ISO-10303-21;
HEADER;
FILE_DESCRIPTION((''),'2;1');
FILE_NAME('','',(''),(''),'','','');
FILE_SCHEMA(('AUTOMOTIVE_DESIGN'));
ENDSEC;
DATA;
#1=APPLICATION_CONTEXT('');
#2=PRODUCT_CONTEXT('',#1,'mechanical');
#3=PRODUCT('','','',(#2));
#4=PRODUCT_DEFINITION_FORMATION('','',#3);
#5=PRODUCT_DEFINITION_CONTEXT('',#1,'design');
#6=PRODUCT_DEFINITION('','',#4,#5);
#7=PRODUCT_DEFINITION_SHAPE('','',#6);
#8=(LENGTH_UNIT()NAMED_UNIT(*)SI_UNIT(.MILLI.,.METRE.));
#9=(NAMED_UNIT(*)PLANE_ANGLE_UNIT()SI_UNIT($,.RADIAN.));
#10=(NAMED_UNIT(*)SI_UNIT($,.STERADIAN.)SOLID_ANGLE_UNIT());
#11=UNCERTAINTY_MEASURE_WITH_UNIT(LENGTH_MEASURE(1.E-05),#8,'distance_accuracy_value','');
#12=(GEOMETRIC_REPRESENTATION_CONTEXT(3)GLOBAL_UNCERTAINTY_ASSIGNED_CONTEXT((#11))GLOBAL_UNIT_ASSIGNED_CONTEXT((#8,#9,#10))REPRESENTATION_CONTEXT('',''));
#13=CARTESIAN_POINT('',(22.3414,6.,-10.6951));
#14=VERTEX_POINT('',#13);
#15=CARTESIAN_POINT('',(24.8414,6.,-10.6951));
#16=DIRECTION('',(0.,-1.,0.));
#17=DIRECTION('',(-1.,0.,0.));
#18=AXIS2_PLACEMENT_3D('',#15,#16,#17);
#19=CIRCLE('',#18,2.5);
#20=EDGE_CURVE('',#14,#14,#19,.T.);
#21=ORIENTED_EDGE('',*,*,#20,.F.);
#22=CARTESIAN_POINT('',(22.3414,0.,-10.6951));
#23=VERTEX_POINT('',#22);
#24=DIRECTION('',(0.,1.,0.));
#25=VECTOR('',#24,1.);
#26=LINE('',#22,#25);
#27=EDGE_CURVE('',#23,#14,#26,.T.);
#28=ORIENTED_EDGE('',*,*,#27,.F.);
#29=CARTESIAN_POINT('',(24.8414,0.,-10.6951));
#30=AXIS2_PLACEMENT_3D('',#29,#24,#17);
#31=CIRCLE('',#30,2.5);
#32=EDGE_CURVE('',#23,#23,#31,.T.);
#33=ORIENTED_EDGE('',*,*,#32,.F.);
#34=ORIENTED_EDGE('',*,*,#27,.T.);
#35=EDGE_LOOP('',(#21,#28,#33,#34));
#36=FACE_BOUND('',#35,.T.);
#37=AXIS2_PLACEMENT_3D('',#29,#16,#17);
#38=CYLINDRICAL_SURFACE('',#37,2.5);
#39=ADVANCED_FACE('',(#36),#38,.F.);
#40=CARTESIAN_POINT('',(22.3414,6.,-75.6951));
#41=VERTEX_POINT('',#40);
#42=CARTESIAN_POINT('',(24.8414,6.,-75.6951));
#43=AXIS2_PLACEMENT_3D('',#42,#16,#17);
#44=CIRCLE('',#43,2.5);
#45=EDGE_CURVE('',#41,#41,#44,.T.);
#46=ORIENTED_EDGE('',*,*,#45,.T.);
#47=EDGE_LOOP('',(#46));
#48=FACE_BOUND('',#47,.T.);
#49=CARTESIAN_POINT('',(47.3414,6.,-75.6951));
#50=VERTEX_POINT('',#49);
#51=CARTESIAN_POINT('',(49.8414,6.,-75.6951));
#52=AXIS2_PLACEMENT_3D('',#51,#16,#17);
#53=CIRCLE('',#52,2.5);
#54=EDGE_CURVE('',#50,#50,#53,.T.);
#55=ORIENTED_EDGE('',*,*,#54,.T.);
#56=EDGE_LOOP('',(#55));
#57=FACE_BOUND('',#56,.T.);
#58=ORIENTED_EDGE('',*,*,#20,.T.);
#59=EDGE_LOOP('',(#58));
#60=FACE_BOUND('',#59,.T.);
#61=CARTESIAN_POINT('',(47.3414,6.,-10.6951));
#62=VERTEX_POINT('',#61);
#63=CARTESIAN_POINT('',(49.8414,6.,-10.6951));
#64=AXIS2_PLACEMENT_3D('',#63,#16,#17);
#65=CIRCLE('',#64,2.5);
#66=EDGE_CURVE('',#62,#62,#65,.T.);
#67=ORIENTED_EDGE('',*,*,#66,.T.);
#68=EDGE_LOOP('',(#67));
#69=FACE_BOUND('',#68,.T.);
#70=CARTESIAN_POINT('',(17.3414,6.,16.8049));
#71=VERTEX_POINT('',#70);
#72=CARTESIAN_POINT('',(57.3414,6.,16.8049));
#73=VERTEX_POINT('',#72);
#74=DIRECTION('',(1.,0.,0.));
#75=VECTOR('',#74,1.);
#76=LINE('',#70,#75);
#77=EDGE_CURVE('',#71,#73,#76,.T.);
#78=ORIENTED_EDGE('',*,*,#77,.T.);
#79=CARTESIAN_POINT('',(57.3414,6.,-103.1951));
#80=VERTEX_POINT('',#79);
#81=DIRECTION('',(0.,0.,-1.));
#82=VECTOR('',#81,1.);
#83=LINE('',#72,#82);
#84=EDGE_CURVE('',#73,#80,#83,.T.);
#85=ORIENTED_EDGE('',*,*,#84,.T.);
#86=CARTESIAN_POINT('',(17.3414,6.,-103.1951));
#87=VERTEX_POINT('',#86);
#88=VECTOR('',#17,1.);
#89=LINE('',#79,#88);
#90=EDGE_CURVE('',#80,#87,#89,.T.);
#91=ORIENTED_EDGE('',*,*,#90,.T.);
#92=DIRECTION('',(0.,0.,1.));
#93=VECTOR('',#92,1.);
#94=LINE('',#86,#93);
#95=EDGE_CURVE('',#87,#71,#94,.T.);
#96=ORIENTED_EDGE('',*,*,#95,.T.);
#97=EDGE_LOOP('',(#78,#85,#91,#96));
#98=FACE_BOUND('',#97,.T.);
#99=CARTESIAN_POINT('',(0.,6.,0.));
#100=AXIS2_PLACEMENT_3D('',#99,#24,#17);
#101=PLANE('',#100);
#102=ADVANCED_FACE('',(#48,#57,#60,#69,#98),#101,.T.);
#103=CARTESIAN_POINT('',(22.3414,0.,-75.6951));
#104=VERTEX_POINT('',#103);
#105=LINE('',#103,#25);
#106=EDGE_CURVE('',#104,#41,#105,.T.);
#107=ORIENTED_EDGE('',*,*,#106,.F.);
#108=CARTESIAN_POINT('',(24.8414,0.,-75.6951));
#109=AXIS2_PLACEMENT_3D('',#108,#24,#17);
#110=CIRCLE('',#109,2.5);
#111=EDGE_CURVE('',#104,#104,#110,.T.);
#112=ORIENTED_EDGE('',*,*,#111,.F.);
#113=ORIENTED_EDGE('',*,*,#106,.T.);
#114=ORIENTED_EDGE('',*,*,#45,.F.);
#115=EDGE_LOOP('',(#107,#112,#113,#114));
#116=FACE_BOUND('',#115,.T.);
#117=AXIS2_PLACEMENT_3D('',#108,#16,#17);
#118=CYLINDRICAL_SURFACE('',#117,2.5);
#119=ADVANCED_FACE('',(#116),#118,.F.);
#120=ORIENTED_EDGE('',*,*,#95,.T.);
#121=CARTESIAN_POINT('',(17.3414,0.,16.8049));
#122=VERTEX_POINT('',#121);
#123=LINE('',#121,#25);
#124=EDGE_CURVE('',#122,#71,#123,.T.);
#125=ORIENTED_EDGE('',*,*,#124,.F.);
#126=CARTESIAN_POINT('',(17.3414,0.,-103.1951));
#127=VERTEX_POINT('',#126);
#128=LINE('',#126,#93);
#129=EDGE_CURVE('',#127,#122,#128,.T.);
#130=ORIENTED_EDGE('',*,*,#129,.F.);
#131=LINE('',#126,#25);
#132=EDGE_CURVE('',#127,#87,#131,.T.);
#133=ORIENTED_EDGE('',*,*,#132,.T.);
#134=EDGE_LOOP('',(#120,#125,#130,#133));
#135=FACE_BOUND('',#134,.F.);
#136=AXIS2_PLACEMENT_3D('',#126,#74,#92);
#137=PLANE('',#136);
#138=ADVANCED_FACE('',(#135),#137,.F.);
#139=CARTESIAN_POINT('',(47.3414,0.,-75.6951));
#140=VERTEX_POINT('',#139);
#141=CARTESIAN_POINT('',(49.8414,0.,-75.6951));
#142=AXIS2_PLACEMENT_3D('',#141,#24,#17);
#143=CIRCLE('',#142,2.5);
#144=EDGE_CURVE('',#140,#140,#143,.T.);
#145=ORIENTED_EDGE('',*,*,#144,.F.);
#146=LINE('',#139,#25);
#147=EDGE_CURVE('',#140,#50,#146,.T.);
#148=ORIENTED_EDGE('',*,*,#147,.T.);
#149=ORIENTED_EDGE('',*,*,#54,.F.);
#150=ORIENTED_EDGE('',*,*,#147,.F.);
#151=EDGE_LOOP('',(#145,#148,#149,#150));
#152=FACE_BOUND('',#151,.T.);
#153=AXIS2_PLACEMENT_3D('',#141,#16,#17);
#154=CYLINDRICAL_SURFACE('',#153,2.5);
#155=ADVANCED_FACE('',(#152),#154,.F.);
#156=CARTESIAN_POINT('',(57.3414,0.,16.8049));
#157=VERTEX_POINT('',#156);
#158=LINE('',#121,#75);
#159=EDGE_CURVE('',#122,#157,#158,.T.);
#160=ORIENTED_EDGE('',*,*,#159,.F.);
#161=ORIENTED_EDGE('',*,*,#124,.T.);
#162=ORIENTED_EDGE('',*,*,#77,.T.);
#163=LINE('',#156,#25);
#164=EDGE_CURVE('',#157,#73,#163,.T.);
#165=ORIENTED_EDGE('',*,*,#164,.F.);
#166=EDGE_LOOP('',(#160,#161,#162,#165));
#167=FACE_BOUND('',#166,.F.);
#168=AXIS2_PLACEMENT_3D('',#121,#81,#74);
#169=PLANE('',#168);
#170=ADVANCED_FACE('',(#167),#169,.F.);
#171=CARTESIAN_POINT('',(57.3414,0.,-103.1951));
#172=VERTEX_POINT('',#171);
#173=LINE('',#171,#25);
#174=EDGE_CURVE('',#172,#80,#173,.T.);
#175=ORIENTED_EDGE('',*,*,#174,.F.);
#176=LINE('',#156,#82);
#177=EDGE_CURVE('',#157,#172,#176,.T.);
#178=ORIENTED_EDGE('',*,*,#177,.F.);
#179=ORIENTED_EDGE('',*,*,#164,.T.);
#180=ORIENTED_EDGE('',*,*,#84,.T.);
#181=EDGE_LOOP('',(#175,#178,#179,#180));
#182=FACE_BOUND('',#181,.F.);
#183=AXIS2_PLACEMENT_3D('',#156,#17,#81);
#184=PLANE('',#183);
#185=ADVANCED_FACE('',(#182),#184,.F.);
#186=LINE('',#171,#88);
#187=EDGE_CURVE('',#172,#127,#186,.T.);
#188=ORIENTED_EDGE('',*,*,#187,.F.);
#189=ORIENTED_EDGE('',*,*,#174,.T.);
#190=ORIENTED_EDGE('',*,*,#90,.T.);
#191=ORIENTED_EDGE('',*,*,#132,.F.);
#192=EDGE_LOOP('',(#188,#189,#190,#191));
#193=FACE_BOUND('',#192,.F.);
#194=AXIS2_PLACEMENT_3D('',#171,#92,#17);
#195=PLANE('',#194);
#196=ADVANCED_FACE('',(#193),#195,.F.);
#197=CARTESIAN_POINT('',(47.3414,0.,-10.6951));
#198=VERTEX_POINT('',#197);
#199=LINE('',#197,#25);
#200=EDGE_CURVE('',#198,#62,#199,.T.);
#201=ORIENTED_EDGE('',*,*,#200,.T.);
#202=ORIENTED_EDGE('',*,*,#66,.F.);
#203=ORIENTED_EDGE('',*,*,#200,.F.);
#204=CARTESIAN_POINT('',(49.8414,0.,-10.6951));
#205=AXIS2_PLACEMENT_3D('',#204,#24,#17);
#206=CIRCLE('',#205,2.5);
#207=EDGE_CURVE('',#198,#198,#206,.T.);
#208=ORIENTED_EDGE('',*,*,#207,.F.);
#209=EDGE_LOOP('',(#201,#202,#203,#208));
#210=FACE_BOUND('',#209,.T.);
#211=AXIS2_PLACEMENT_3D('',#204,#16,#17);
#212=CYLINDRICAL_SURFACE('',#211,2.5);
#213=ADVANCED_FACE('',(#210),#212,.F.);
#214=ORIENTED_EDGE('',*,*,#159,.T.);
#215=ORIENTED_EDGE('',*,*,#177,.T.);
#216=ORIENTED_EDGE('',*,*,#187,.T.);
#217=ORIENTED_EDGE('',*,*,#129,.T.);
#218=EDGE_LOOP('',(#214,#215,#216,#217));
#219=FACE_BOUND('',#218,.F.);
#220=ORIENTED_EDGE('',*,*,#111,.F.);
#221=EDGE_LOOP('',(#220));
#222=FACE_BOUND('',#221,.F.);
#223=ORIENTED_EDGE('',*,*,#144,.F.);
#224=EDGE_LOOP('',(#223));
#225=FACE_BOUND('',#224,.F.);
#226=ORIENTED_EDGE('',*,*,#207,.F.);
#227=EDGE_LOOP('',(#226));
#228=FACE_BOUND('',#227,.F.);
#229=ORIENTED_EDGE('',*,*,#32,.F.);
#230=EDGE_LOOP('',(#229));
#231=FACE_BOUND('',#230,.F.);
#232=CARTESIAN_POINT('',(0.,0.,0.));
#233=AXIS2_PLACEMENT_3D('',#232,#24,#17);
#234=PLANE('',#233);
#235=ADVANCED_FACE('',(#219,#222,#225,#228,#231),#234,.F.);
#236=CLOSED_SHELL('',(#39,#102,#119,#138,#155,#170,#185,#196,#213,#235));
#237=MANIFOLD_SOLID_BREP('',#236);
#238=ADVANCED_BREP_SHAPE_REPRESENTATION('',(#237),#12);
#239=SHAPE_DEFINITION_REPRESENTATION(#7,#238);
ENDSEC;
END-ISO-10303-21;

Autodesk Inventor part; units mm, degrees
ref_plane "YZ Plane" through (0, 0, 0) normal (1, 0, 0) x (0, 1, 0)
ref_plane "XZ Plane" through (0, 0, 0) normal (0, 1, 0) x (-1, 0, 0)
ref_plane "XY Plane" through (0, 0, 0) normal (0, 0, 1) x (1, 0, 0)
sketch "Sketch1" plane through (0, 0, 0) normal (0, 1, 0) x (-1, 0, 0)
  line L0 (-17.3414, 16.8049) -> (-57.3414, 16.8049)
  line L1 (-57.3414, 16.8049) -> (-57.3414, -103.1951)
  line L2 (-57.3414, -103.1951) -> (-17.3414, -103.1951)
  line L3 (-17.3414, -103.1951) -> (-17.3414, 16.8049)
  line L4 (-24.8414, -10.6951) -> (-49.8414, -10.6951)
  line L5 (-49.8414, -10.6951) -> (-49.8414, -75.6951)
  line L6 (-49.8414, -75.6951) -> (-24.8414, -75.6951)
  line L7 (-24.8414, -75.6951) -> (-24.8414, -10.6951)
  circle A0 centre (-24.8414, -10.6951) radius 2.5
  circle A1 centre (-24.8414, -75.6951) radius 2.5
  circle A2 centre (-49.8414, -75.6951) radius 2.5
  circle A3 centre (-49.8414, -10.6951) radius 2.5
  point P0 (0, 0)
  dimension "d0" = 40
  dimension "d1" = 120
  dimension "d4" = 25
  dimension "d5" = 65
  dimension "d6" = 27.5
  dimension "d7" = 7.5
  dimension "d8" = 5
  dimension "d9" = 5
  dimension "d10" = 5
  dimension "d11" = 5
extrude "Extrusion1" add sketch "Sketch1" along normal blind 6 contours L3 L2 L1 L0 | L4 A0 L7 A1 L6 A2 L5 A3
properties part number "steeringmountplate"
